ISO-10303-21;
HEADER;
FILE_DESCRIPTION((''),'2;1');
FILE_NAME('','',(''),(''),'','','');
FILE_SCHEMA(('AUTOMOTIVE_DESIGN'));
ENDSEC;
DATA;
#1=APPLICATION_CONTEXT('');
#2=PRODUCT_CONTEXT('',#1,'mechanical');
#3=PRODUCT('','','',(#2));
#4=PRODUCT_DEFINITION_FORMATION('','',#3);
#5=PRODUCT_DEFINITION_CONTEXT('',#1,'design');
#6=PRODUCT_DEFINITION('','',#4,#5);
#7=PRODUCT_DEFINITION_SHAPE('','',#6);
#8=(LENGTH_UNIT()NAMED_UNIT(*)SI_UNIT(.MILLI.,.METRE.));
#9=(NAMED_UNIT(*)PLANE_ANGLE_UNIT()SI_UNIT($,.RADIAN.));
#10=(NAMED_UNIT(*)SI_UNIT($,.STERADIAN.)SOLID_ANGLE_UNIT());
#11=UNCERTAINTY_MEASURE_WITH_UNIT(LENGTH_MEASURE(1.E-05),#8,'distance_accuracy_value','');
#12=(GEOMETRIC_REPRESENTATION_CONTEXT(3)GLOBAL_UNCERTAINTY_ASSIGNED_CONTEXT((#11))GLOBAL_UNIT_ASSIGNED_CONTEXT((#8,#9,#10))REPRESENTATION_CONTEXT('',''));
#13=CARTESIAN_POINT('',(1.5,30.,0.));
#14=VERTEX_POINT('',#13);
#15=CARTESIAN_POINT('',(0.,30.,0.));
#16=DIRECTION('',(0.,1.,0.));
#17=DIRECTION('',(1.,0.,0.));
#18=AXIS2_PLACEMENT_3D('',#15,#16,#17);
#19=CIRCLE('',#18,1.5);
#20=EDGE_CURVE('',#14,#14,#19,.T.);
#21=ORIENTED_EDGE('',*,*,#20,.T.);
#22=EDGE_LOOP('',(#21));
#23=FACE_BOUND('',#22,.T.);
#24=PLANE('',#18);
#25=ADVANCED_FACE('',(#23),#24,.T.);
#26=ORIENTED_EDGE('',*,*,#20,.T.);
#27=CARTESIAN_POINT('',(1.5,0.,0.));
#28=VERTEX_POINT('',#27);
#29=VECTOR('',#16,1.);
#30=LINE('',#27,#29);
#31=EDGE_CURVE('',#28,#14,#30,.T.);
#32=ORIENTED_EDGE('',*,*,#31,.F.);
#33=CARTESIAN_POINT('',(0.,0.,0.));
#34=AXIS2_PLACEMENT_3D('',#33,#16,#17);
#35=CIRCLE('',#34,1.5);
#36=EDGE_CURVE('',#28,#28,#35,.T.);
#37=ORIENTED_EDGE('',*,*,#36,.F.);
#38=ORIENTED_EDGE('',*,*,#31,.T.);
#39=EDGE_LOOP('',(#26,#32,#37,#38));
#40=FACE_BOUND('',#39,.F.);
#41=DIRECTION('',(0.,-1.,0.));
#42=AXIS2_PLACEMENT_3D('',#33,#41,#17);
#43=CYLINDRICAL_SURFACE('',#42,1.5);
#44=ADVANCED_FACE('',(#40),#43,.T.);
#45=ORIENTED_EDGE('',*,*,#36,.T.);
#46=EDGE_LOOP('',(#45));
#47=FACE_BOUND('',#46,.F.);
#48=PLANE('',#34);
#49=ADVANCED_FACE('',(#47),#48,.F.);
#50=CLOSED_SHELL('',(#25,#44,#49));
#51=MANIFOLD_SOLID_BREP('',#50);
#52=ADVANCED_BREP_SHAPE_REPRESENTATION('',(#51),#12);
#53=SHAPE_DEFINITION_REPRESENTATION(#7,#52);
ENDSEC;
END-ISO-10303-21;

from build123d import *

# Parameters (mm, degrees)
CROQUIS1_R              = 1.5
SALIENTE_EXTRUIR1_DEPTH = 30


with BuildPart() as part:
    # Croquis1 → Saliente-Extruir1 (new body)
    with BuildSketch(Plane(origin=(0, 0, 0), x_dir=(1, 0, 0), z_dir=(0, 1, 0))):
        Circle(CROQUIS1_R)
    extrude(amount=SALIENTE_EXTRUIR1_DEPTH)


solid = part.part
